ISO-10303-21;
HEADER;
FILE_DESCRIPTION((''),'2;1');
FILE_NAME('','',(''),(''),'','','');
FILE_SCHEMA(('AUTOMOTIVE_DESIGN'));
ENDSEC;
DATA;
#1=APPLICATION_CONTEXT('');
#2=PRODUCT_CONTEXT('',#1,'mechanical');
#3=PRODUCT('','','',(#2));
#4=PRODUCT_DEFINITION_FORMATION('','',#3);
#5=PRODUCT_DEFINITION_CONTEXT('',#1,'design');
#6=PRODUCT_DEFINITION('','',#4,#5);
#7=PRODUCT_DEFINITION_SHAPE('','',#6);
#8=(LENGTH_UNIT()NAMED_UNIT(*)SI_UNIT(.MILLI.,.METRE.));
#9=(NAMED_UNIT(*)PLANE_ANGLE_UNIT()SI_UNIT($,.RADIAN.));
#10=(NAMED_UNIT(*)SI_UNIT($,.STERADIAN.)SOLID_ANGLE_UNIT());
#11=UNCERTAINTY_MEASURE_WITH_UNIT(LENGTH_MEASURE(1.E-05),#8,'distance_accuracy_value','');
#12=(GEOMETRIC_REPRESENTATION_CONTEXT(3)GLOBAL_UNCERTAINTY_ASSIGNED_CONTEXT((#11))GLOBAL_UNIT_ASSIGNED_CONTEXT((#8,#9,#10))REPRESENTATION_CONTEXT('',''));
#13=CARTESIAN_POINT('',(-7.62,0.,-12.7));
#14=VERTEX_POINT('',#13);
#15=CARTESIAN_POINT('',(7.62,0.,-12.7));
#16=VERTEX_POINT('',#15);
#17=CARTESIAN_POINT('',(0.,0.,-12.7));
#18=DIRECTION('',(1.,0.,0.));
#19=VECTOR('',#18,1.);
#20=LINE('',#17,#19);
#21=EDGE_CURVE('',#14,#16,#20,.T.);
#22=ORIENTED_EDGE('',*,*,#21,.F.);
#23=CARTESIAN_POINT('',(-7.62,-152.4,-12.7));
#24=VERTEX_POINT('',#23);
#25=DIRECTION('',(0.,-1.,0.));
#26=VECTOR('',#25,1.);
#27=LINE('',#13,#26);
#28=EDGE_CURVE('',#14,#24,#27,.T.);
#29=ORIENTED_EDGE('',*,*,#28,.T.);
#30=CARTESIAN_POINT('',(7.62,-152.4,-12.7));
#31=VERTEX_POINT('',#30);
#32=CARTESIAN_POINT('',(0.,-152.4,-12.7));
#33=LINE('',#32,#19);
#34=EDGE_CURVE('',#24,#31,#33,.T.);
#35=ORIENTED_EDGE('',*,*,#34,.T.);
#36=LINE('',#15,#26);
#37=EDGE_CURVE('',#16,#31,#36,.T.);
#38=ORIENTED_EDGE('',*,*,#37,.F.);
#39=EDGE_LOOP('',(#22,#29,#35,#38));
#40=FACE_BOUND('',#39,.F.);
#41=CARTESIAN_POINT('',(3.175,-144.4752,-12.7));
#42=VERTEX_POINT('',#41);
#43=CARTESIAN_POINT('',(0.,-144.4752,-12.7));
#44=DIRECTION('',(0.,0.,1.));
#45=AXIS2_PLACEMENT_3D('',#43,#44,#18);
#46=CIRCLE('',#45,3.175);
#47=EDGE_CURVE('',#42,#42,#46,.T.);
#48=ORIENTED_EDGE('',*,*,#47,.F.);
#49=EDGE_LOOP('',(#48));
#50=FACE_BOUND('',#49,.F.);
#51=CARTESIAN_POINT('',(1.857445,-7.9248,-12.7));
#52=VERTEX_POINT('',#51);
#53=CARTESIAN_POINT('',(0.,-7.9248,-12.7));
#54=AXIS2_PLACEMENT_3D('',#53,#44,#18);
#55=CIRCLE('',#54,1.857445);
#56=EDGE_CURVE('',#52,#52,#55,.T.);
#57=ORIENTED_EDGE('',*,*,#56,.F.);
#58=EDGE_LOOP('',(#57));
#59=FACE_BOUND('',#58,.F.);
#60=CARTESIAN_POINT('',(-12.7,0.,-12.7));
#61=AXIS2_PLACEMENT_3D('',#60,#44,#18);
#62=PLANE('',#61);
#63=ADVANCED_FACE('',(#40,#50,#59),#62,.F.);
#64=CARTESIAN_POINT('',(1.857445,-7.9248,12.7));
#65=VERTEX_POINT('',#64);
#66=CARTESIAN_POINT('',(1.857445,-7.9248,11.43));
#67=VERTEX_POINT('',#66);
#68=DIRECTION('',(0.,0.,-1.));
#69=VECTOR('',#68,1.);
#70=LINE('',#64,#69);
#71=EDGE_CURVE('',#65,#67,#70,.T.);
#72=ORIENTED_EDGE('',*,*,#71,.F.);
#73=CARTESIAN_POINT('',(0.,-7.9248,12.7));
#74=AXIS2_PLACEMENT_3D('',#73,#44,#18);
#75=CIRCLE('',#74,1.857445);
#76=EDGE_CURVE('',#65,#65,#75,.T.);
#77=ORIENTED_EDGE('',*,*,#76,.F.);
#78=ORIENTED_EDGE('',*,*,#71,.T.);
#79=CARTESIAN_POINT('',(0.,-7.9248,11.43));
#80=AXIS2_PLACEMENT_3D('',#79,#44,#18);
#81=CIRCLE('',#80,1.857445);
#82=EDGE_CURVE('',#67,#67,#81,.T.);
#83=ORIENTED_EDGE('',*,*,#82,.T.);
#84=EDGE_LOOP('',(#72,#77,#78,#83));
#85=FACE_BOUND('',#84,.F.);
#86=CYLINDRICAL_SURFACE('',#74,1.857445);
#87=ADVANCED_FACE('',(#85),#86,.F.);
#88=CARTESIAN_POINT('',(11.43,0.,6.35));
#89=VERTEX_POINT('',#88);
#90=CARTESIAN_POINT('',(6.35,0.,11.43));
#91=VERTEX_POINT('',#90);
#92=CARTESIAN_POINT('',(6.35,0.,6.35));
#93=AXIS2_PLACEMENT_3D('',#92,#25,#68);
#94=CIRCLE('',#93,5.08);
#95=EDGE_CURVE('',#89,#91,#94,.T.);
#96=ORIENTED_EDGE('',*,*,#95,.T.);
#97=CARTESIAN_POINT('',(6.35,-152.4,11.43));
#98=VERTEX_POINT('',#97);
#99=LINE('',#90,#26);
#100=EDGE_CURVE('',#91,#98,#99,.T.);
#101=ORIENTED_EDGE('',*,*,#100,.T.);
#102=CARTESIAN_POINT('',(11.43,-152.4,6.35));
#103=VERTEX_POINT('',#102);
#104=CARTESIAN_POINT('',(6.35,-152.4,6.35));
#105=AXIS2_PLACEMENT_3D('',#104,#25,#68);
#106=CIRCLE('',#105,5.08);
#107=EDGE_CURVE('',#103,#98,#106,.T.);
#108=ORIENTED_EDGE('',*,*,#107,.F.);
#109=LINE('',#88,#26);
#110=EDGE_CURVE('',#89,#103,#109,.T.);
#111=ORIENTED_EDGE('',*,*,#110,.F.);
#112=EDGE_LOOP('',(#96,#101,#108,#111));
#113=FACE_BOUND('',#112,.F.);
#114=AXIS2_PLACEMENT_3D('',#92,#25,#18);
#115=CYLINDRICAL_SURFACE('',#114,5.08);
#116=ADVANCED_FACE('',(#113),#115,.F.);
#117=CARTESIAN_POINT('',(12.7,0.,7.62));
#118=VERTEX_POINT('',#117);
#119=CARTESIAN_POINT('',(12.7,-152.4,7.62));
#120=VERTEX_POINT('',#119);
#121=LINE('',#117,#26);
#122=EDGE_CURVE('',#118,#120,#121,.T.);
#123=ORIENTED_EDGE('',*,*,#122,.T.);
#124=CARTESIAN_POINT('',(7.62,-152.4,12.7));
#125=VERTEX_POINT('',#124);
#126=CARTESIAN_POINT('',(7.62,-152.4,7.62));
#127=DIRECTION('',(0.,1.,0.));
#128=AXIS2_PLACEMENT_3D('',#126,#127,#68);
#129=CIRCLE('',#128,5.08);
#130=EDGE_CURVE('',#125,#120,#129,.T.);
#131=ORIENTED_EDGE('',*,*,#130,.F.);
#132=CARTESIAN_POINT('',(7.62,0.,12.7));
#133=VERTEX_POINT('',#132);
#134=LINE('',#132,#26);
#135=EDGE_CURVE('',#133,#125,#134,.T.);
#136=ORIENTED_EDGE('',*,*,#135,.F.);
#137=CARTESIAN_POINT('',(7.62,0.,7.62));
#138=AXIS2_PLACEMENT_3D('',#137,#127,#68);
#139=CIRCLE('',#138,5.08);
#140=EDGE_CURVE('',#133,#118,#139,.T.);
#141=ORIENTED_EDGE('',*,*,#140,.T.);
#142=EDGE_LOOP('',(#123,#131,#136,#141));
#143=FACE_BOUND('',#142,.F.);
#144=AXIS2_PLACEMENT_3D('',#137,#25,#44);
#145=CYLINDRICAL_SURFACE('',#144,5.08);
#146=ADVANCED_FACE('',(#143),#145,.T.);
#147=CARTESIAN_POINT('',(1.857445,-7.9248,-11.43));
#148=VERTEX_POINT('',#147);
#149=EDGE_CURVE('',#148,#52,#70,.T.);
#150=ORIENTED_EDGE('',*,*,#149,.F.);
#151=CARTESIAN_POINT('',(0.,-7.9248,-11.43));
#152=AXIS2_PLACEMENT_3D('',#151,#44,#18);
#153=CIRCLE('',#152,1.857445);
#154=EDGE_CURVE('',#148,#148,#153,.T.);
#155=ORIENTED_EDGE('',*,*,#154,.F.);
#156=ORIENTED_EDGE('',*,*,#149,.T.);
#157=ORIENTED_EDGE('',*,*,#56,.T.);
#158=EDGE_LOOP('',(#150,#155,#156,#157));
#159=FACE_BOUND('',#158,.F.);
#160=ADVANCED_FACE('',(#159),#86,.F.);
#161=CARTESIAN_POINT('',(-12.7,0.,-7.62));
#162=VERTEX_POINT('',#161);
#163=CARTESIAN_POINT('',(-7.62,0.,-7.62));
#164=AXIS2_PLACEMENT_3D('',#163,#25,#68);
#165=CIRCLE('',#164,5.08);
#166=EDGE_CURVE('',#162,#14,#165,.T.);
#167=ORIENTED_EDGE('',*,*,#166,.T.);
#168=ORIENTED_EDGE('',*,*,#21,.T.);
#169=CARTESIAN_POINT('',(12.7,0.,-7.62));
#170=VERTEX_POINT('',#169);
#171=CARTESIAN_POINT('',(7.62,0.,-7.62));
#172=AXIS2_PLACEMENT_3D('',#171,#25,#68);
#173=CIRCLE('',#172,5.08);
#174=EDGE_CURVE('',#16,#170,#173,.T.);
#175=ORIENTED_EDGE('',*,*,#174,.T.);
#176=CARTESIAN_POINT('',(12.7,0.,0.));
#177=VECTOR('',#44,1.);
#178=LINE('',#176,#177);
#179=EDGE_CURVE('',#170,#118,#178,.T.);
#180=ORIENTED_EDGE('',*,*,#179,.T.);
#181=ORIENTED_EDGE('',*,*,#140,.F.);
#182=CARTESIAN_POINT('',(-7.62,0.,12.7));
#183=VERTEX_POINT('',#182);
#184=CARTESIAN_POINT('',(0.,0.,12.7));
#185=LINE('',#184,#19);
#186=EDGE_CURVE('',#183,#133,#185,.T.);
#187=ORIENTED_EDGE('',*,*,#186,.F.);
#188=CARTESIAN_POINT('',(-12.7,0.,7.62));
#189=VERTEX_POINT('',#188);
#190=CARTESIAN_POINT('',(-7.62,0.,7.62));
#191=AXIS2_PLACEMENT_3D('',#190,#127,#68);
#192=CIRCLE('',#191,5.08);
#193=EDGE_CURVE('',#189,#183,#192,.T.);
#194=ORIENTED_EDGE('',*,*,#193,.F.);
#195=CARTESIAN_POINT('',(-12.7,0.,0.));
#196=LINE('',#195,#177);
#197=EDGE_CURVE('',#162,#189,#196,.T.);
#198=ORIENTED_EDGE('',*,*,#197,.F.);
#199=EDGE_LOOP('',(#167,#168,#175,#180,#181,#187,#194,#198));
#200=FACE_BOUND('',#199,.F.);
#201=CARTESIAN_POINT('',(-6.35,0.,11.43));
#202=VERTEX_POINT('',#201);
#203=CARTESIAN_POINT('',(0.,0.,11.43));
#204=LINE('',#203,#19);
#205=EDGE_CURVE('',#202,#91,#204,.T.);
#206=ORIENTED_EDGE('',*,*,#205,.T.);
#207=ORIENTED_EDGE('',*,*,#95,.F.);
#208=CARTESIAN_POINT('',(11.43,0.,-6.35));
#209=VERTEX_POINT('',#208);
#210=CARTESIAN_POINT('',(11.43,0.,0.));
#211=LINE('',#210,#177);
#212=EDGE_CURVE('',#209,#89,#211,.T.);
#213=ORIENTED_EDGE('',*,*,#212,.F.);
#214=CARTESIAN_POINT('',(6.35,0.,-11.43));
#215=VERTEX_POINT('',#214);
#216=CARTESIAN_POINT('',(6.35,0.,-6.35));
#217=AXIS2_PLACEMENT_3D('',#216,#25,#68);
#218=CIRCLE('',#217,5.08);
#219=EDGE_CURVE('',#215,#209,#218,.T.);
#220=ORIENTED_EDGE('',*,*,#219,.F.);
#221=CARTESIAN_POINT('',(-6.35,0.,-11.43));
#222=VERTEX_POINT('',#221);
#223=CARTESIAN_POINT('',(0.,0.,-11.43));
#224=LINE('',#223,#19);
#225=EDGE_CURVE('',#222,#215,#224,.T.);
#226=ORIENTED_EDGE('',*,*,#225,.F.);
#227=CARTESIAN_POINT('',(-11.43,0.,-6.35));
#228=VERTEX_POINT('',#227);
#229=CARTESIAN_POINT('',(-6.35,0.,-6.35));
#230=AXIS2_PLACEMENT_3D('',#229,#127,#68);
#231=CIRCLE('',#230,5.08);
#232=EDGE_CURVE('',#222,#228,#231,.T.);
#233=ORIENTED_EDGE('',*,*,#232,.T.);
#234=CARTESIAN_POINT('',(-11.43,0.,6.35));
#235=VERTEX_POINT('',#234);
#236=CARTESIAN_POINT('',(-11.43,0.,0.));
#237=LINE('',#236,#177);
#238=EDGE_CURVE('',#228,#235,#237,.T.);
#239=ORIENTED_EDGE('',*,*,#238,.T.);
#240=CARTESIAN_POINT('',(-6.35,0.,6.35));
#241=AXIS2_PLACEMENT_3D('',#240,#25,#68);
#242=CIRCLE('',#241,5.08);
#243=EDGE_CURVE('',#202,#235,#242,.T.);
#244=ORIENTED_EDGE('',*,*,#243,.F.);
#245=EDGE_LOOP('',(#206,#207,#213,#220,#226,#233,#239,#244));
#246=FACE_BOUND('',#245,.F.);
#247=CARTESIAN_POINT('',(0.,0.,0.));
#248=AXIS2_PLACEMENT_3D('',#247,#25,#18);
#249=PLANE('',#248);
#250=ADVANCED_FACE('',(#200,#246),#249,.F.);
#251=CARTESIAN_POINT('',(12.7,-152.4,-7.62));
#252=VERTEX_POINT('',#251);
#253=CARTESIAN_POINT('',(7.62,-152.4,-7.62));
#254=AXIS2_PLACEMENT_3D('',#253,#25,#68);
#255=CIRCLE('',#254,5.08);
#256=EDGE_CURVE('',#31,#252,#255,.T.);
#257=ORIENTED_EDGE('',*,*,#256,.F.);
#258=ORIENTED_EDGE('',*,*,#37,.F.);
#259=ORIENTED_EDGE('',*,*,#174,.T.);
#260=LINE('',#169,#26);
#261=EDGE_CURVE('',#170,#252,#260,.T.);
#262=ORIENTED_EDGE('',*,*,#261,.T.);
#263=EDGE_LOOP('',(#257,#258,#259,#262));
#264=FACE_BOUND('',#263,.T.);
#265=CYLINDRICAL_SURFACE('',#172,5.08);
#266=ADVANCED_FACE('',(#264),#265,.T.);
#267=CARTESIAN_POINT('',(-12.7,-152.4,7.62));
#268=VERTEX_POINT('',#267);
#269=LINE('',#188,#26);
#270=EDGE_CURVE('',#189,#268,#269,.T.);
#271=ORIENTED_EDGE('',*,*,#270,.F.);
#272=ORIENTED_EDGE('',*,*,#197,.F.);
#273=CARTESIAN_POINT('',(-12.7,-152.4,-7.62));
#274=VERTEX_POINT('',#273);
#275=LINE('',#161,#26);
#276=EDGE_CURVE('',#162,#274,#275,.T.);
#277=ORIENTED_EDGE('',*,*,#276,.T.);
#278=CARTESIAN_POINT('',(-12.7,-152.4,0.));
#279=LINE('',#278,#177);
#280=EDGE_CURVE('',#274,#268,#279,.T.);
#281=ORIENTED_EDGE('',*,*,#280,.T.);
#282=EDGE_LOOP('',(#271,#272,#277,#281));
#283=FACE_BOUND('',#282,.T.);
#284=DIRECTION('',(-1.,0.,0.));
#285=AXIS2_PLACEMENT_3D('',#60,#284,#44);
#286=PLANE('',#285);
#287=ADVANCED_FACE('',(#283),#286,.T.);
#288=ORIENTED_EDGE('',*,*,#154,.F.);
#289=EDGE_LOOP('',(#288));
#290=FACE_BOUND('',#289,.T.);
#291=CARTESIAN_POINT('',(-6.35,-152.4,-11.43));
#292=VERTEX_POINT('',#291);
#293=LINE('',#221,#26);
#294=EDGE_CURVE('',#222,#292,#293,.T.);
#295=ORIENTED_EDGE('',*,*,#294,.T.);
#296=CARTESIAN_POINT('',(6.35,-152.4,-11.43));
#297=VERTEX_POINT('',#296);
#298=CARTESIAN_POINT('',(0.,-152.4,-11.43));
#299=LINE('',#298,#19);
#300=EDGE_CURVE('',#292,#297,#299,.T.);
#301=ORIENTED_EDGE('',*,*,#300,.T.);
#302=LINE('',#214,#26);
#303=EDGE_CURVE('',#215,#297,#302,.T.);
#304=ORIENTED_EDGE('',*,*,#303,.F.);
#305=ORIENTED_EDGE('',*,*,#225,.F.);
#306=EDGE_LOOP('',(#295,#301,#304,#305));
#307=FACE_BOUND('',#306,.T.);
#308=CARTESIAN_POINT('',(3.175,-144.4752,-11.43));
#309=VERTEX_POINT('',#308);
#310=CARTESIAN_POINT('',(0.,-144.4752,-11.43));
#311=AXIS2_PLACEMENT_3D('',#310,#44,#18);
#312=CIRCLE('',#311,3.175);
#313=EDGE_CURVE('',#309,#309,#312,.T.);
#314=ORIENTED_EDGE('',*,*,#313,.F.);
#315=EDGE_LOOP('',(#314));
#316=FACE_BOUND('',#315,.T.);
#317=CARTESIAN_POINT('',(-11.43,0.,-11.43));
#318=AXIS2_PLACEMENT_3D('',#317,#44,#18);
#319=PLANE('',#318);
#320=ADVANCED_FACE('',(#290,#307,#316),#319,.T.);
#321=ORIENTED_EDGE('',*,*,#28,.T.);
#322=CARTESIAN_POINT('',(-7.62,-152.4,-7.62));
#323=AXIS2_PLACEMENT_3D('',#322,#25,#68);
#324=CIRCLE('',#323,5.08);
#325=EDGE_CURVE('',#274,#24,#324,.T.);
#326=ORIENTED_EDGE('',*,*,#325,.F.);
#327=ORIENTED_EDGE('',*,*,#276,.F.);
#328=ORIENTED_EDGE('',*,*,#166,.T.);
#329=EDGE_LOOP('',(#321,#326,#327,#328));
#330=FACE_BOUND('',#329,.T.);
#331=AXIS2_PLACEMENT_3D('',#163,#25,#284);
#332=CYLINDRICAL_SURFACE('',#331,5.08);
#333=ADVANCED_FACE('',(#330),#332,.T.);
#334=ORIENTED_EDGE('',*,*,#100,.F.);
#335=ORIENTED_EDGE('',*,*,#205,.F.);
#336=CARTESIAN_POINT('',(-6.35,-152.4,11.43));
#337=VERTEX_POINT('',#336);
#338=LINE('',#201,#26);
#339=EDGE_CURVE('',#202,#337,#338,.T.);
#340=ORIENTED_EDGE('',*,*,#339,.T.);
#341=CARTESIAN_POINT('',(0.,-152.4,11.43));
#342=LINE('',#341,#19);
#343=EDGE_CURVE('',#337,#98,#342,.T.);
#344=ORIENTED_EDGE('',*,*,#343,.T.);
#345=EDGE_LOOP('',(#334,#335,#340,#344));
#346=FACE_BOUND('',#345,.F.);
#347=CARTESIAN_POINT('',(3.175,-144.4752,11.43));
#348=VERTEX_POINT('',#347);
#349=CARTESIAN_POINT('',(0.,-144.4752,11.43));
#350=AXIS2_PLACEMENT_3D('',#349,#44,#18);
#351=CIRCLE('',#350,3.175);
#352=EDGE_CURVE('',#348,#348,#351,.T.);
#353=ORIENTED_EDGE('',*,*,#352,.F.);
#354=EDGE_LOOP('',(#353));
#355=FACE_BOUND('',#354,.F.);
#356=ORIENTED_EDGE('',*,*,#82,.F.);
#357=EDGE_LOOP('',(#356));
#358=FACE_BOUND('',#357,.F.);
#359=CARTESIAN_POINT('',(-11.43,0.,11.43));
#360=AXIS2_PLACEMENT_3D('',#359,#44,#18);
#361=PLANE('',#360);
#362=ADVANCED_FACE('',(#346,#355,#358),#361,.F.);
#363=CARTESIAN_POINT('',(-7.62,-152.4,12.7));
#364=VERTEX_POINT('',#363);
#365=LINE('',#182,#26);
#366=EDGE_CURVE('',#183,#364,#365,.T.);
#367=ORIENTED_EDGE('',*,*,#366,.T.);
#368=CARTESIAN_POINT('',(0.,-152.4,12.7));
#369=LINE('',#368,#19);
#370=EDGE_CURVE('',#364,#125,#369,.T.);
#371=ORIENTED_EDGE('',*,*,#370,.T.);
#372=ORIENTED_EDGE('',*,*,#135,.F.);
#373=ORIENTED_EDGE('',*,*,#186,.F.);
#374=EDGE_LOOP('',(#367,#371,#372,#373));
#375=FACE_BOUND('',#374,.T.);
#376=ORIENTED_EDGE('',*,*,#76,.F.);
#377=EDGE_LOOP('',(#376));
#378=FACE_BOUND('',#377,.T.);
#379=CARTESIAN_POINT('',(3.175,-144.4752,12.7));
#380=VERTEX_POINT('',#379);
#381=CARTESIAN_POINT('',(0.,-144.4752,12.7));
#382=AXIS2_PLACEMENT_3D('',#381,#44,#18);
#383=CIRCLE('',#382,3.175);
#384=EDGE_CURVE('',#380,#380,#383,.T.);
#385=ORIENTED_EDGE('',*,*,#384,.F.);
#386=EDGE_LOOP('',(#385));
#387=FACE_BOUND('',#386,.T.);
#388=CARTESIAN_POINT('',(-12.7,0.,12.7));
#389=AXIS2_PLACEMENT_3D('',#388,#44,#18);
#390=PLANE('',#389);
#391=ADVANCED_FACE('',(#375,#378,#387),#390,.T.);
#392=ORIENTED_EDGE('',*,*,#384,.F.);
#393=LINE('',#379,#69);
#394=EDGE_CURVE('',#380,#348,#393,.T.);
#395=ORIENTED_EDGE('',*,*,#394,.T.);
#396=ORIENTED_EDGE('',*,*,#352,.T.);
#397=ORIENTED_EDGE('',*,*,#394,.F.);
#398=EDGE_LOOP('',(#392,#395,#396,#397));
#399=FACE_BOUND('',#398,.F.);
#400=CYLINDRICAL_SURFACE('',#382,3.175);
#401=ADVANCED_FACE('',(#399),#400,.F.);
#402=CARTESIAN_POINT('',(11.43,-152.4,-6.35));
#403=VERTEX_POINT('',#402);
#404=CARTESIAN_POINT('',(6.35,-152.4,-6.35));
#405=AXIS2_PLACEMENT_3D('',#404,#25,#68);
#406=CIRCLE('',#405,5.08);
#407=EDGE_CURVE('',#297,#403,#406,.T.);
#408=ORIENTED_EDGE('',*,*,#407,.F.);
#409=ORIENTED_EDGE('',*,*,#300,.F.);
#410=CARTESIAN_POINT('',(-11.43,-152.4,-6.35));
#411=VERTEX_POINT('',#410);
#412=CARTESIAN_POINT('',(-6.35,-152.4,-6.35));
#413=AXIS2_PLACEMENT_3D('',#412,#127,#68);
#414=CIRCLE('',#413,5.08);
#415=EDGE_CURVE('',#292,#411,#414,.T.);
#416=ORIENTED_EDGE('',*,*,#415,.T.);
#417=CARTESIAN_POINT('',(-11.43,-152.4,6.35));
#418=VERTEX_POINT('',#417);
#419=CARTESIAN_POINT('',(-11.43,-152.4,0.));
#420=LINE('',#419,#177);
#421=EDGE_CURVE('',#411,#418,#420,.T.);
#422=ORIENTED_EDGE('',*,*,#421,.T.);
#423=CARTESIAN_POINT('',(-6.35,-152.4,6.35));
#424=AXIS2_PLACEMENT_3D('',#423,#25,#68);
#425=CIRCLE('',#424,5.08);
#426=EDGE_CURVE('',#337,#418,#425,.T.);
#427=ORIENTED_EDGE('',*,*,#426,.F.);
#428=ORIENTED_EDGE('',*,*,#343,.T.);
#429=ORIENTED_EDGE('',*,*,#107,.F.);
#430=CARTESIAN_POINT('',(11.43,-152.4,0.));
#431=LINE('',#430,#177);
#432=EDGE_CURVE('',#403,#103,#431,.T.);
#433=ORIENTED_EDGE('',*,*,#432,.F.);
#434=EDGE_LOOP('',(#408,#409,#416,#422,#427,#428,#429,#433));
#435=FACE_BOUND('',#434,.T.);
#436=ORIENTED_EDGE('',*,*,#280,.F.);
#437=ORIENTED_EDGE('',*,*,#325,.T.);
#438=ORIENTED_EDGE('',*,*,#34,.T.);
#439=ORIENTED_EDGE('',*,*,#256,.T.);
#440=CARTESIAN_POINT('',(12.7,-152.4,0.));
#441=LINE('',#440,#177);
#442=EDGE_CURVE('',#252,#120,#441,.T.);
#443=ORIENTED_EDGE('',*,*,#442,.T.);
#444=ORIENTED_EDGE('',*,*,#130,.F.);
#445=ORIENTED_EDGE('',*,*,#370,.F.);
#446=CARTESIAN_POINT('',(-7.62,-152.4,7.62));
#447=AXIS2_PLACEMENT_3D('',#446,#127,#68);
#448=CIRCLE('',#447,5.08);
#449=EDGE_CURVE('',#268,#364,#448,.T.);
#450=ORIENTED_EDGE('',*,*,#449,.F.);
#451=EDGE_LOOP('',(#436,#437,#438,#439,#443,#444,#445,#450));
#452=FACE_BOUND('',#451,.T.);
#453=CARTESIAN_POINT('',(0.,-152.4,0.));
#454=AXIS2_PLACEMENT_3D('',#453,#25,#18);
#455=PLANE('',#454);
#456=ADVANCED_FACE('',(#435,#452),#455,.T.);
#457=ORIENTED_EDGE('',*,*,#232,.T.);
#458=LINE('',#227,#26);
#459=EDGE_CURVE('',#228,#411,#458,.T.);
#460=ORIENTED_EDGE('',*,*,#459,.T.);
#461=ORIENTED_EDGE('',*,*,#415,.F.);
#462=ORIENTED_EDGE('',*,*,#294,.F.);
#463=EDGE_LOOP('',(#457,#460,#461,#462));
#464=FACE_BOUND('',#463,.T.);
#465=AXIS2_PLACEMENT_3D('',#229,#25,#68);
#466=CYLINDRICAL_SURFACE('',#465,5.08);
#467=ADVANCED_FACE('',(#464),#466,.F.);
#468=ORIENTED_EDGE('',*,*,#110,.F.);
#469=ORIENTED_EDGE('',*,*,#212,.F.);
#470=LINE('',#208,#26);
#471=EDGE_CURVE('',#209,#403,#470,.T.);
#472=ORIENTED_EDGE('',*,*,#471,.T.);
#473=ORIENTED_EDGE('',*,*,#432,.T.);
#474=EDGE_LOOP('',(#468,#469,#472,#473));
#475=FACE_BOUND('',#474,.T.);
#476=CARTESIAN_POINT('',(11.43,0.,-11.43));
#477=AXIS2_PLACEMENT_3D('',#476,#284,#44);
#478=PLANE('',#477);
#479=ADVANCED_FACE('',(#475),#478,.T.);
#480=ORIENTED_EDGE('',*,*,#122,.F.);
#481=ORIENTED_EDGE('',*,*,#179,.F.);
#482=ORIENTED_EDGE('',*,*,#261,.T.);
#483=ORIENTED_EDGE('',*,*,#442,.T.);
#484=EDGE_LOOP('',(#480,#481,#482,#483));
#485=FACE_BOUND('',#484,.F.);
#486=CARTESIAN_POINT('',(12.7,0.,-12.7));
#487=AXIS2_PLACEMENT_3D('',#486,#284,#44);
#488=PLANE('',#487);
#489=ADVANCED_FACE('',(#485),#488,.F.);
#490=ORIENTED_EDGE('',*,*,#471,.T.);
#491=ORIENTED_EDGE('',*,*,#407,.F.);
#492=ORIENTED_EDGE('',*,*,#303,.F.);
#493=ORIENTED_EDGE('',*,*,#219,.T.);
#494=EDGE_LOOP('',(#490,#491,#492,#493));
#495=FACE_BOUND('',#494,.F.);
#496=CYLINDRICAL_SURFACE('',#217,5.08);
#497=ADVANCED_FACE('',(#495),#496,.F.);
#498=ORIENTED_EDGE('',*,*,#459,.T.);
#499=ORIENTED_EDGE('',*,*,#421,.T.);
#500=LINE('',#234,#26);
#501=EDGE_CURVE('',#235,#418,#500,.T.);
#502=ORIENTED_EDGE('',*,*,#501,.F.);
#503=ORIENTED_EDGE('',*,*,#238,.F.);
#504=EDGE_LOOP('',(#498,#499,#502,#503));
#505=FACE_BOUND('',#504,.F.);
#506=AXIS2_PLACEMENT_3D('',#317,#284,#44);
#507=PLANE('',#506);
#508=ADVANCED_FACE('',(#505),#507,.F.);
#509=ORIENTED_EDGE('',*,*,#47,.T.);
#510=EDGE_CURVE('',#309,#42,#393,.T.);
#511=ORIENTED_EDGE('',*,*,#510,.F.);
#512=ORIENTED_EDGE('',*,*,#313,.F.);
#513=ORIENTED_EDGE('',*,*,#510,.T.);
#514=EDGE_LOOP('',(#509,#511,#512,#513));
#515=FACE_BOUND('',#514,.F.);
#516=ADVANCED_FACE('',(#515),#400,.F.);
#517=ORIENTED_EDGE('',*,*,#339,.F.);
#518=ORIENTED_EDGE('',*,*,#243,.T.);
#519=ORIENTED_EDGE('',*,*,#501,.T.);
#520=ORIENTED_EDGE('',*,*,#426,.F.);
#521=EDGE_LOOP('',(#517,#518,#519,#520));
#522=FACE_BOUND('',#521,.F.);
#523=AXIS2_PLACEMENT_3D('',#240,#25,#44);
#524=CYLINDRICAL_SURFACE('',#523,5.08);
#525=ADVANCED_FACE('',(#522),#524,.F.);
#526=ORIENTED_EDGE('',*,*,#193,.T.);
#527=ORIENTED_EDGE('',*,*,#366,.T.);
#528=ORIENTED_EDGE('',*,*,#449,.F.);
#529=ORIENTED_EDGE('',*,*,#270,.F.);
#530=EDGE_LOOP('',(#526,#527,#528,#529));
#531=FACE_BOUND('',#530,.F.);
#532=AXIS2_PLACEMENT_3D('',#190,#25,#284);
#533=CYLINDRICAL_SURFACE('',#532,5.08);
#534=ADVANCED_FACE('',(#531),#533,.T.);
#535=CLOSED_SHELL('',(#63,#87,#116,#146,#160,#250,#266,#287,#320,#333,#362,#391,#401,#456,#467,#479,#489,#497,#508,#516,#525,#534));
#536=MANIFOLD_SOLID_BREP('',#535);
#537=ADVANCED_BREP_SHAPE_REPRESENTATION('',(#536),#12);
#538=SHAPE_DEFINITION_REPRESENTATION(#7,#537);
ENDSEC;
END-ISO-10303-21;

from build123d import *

# Parameters (mm, degrees)
F0_W     = 25.4
F0_H     = 25.4
F0_W_2   = 22.86
F0_H_2   = 22.86
F1_DEPTH = 152.4
F2_R     = 5.08
F3_R     = 1.857445
F4_DEPTH = 25.401
F6_R     = 3.175
F7_DEPTH = 25.401


with BuildPart() as f1:
    # F0 (on Front) → F1 (new body)
    with BuildSketch(Plane.XZ):
        Rectangle(F0_W, F0_H)
        Rectangle(F0_W_2, F0_H_2, mode=Mode.SUBTRACT)
    extrude(amount=F1_DEPTH)

    # F2
    f2_edges = [f1.edges().sort_by_distance(p)[0] for p in [
        (12.7, -76.2, 12.7),
        (-12.7, -76.2, 12.7),
        (12.7, -76.2, -12.7),
        (-12.7, -76.2, -12.7),
        (11.43, -76.2, 11.43),
        (-11.43, -76.2, 11.43),
        (11.43, -76.2, -11.43),
        (-11.43, -76.2, -11.43),
    ]]
    fillet(f2_edges, radius=F2_R)

    # F3 (on face) → F4 (cut, through all)
    with BuildSketch(Plane.XY.offset(12.7)):
        with Locations((0, -7.9248)):
            Circle(F3_R)
    extrude(amount=-F4_DEPTH, mode=Mode.SUBTRACT)

    # F6 (on face) → F7 (cut, through all)
    with BuildSketch(Plane.XY.offset(12.7)):
        with Locations((0, -144.4752)):
            Circle(F6_R)
    extrude(amount=-F7_DEPTH, mode=Mode.SUBTRACT)


solid = f1.part
